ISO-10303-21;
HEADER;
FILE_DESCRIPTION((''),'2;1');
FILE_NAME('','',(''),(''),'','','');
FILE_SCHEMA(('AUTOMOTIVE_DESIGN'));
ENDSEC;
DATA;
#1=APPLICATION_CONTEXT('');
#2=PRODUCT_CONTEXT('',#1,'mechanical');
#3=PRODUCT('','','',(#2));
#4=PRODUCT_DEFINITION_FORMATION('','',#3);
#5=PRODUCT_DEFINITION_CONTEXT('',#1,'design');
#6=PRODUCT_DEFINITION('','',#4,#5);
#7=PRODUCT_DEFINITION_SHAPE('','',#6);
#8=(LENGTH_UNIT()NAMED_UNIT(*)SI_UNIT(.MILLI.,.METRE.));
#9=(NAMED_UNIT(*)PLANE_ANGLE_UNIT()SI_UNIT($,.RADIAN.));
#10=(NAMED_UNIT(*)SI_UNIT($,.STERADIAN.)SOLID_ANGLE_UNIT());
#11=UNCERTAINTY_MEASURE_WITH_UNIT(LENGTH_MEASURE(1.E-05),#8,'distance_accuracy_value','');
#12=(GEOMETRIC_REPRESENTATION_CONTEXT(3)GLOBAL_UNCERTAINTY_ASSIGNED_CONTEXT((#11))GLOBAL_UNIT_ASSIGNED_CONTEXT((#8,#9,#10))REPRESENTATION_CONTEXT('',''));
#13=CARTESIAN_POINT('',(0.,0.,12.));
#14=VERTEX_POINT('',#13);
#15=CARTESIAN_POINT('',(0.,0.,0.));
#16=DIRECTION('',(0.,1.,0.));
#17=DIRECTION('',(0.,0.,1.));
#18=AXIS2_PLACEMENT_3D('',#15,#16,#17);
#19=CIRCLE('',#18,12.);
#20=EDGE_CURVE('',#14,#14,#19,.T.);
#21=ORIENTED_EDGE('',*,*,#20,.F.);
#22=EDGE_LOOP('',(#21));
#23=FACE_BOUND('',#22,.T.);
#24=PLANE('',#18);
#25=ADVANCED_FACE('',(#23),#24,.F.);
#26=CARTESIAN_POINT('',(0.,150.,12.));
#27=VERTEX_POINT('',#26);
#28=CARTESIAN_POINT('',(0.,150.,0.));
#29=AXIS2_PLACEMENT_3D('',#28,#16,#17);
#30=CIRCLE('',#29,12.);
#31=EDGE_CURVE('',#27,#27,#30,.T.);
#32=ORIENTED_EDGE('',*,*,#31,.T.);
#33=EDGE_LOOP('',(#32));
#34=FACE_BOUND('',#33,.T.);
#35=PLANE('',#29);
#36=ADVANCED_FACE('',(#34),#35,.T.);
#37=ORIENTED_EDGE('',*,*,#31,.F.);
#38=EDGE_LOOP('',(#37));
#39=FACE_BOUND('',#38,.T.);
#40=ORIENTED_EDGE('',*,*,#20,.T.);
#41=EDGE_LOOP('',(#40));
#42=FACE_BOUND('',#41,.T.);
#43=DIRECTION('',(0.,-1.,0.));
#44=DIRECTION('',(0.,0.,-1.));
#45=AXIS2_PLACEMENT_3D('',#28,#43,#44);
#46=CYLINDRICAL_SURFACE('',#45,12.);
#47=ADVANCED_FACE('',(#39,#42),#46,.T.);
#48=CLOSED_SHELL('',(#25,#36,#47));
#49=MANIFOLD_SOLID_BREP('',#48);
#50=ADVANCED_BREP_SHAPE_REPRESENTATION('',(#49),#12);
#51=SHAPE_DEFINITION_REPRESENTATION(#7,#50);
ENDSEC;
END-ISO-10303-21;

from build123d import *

# Parameters (mm, degrees)
SKETCH_1_R      = 12
EXTRUDE_1_DEPTH = 150


with BuildPart() as part:
    # 草图1 → 凸台-拉伸1 (new body)
    with BuildSketch(Plane(origin=(0, 0, 0), x_dir=(1, 0, 0), z_dir=(0, 1, 0))):
        with Locations(Location((0, 0, 0), (0, 0, 270))):
            Circle(SKETCH_1_R)
    extrude(amount=EXTRUDE_1_DEPTH)


solid = part.part
